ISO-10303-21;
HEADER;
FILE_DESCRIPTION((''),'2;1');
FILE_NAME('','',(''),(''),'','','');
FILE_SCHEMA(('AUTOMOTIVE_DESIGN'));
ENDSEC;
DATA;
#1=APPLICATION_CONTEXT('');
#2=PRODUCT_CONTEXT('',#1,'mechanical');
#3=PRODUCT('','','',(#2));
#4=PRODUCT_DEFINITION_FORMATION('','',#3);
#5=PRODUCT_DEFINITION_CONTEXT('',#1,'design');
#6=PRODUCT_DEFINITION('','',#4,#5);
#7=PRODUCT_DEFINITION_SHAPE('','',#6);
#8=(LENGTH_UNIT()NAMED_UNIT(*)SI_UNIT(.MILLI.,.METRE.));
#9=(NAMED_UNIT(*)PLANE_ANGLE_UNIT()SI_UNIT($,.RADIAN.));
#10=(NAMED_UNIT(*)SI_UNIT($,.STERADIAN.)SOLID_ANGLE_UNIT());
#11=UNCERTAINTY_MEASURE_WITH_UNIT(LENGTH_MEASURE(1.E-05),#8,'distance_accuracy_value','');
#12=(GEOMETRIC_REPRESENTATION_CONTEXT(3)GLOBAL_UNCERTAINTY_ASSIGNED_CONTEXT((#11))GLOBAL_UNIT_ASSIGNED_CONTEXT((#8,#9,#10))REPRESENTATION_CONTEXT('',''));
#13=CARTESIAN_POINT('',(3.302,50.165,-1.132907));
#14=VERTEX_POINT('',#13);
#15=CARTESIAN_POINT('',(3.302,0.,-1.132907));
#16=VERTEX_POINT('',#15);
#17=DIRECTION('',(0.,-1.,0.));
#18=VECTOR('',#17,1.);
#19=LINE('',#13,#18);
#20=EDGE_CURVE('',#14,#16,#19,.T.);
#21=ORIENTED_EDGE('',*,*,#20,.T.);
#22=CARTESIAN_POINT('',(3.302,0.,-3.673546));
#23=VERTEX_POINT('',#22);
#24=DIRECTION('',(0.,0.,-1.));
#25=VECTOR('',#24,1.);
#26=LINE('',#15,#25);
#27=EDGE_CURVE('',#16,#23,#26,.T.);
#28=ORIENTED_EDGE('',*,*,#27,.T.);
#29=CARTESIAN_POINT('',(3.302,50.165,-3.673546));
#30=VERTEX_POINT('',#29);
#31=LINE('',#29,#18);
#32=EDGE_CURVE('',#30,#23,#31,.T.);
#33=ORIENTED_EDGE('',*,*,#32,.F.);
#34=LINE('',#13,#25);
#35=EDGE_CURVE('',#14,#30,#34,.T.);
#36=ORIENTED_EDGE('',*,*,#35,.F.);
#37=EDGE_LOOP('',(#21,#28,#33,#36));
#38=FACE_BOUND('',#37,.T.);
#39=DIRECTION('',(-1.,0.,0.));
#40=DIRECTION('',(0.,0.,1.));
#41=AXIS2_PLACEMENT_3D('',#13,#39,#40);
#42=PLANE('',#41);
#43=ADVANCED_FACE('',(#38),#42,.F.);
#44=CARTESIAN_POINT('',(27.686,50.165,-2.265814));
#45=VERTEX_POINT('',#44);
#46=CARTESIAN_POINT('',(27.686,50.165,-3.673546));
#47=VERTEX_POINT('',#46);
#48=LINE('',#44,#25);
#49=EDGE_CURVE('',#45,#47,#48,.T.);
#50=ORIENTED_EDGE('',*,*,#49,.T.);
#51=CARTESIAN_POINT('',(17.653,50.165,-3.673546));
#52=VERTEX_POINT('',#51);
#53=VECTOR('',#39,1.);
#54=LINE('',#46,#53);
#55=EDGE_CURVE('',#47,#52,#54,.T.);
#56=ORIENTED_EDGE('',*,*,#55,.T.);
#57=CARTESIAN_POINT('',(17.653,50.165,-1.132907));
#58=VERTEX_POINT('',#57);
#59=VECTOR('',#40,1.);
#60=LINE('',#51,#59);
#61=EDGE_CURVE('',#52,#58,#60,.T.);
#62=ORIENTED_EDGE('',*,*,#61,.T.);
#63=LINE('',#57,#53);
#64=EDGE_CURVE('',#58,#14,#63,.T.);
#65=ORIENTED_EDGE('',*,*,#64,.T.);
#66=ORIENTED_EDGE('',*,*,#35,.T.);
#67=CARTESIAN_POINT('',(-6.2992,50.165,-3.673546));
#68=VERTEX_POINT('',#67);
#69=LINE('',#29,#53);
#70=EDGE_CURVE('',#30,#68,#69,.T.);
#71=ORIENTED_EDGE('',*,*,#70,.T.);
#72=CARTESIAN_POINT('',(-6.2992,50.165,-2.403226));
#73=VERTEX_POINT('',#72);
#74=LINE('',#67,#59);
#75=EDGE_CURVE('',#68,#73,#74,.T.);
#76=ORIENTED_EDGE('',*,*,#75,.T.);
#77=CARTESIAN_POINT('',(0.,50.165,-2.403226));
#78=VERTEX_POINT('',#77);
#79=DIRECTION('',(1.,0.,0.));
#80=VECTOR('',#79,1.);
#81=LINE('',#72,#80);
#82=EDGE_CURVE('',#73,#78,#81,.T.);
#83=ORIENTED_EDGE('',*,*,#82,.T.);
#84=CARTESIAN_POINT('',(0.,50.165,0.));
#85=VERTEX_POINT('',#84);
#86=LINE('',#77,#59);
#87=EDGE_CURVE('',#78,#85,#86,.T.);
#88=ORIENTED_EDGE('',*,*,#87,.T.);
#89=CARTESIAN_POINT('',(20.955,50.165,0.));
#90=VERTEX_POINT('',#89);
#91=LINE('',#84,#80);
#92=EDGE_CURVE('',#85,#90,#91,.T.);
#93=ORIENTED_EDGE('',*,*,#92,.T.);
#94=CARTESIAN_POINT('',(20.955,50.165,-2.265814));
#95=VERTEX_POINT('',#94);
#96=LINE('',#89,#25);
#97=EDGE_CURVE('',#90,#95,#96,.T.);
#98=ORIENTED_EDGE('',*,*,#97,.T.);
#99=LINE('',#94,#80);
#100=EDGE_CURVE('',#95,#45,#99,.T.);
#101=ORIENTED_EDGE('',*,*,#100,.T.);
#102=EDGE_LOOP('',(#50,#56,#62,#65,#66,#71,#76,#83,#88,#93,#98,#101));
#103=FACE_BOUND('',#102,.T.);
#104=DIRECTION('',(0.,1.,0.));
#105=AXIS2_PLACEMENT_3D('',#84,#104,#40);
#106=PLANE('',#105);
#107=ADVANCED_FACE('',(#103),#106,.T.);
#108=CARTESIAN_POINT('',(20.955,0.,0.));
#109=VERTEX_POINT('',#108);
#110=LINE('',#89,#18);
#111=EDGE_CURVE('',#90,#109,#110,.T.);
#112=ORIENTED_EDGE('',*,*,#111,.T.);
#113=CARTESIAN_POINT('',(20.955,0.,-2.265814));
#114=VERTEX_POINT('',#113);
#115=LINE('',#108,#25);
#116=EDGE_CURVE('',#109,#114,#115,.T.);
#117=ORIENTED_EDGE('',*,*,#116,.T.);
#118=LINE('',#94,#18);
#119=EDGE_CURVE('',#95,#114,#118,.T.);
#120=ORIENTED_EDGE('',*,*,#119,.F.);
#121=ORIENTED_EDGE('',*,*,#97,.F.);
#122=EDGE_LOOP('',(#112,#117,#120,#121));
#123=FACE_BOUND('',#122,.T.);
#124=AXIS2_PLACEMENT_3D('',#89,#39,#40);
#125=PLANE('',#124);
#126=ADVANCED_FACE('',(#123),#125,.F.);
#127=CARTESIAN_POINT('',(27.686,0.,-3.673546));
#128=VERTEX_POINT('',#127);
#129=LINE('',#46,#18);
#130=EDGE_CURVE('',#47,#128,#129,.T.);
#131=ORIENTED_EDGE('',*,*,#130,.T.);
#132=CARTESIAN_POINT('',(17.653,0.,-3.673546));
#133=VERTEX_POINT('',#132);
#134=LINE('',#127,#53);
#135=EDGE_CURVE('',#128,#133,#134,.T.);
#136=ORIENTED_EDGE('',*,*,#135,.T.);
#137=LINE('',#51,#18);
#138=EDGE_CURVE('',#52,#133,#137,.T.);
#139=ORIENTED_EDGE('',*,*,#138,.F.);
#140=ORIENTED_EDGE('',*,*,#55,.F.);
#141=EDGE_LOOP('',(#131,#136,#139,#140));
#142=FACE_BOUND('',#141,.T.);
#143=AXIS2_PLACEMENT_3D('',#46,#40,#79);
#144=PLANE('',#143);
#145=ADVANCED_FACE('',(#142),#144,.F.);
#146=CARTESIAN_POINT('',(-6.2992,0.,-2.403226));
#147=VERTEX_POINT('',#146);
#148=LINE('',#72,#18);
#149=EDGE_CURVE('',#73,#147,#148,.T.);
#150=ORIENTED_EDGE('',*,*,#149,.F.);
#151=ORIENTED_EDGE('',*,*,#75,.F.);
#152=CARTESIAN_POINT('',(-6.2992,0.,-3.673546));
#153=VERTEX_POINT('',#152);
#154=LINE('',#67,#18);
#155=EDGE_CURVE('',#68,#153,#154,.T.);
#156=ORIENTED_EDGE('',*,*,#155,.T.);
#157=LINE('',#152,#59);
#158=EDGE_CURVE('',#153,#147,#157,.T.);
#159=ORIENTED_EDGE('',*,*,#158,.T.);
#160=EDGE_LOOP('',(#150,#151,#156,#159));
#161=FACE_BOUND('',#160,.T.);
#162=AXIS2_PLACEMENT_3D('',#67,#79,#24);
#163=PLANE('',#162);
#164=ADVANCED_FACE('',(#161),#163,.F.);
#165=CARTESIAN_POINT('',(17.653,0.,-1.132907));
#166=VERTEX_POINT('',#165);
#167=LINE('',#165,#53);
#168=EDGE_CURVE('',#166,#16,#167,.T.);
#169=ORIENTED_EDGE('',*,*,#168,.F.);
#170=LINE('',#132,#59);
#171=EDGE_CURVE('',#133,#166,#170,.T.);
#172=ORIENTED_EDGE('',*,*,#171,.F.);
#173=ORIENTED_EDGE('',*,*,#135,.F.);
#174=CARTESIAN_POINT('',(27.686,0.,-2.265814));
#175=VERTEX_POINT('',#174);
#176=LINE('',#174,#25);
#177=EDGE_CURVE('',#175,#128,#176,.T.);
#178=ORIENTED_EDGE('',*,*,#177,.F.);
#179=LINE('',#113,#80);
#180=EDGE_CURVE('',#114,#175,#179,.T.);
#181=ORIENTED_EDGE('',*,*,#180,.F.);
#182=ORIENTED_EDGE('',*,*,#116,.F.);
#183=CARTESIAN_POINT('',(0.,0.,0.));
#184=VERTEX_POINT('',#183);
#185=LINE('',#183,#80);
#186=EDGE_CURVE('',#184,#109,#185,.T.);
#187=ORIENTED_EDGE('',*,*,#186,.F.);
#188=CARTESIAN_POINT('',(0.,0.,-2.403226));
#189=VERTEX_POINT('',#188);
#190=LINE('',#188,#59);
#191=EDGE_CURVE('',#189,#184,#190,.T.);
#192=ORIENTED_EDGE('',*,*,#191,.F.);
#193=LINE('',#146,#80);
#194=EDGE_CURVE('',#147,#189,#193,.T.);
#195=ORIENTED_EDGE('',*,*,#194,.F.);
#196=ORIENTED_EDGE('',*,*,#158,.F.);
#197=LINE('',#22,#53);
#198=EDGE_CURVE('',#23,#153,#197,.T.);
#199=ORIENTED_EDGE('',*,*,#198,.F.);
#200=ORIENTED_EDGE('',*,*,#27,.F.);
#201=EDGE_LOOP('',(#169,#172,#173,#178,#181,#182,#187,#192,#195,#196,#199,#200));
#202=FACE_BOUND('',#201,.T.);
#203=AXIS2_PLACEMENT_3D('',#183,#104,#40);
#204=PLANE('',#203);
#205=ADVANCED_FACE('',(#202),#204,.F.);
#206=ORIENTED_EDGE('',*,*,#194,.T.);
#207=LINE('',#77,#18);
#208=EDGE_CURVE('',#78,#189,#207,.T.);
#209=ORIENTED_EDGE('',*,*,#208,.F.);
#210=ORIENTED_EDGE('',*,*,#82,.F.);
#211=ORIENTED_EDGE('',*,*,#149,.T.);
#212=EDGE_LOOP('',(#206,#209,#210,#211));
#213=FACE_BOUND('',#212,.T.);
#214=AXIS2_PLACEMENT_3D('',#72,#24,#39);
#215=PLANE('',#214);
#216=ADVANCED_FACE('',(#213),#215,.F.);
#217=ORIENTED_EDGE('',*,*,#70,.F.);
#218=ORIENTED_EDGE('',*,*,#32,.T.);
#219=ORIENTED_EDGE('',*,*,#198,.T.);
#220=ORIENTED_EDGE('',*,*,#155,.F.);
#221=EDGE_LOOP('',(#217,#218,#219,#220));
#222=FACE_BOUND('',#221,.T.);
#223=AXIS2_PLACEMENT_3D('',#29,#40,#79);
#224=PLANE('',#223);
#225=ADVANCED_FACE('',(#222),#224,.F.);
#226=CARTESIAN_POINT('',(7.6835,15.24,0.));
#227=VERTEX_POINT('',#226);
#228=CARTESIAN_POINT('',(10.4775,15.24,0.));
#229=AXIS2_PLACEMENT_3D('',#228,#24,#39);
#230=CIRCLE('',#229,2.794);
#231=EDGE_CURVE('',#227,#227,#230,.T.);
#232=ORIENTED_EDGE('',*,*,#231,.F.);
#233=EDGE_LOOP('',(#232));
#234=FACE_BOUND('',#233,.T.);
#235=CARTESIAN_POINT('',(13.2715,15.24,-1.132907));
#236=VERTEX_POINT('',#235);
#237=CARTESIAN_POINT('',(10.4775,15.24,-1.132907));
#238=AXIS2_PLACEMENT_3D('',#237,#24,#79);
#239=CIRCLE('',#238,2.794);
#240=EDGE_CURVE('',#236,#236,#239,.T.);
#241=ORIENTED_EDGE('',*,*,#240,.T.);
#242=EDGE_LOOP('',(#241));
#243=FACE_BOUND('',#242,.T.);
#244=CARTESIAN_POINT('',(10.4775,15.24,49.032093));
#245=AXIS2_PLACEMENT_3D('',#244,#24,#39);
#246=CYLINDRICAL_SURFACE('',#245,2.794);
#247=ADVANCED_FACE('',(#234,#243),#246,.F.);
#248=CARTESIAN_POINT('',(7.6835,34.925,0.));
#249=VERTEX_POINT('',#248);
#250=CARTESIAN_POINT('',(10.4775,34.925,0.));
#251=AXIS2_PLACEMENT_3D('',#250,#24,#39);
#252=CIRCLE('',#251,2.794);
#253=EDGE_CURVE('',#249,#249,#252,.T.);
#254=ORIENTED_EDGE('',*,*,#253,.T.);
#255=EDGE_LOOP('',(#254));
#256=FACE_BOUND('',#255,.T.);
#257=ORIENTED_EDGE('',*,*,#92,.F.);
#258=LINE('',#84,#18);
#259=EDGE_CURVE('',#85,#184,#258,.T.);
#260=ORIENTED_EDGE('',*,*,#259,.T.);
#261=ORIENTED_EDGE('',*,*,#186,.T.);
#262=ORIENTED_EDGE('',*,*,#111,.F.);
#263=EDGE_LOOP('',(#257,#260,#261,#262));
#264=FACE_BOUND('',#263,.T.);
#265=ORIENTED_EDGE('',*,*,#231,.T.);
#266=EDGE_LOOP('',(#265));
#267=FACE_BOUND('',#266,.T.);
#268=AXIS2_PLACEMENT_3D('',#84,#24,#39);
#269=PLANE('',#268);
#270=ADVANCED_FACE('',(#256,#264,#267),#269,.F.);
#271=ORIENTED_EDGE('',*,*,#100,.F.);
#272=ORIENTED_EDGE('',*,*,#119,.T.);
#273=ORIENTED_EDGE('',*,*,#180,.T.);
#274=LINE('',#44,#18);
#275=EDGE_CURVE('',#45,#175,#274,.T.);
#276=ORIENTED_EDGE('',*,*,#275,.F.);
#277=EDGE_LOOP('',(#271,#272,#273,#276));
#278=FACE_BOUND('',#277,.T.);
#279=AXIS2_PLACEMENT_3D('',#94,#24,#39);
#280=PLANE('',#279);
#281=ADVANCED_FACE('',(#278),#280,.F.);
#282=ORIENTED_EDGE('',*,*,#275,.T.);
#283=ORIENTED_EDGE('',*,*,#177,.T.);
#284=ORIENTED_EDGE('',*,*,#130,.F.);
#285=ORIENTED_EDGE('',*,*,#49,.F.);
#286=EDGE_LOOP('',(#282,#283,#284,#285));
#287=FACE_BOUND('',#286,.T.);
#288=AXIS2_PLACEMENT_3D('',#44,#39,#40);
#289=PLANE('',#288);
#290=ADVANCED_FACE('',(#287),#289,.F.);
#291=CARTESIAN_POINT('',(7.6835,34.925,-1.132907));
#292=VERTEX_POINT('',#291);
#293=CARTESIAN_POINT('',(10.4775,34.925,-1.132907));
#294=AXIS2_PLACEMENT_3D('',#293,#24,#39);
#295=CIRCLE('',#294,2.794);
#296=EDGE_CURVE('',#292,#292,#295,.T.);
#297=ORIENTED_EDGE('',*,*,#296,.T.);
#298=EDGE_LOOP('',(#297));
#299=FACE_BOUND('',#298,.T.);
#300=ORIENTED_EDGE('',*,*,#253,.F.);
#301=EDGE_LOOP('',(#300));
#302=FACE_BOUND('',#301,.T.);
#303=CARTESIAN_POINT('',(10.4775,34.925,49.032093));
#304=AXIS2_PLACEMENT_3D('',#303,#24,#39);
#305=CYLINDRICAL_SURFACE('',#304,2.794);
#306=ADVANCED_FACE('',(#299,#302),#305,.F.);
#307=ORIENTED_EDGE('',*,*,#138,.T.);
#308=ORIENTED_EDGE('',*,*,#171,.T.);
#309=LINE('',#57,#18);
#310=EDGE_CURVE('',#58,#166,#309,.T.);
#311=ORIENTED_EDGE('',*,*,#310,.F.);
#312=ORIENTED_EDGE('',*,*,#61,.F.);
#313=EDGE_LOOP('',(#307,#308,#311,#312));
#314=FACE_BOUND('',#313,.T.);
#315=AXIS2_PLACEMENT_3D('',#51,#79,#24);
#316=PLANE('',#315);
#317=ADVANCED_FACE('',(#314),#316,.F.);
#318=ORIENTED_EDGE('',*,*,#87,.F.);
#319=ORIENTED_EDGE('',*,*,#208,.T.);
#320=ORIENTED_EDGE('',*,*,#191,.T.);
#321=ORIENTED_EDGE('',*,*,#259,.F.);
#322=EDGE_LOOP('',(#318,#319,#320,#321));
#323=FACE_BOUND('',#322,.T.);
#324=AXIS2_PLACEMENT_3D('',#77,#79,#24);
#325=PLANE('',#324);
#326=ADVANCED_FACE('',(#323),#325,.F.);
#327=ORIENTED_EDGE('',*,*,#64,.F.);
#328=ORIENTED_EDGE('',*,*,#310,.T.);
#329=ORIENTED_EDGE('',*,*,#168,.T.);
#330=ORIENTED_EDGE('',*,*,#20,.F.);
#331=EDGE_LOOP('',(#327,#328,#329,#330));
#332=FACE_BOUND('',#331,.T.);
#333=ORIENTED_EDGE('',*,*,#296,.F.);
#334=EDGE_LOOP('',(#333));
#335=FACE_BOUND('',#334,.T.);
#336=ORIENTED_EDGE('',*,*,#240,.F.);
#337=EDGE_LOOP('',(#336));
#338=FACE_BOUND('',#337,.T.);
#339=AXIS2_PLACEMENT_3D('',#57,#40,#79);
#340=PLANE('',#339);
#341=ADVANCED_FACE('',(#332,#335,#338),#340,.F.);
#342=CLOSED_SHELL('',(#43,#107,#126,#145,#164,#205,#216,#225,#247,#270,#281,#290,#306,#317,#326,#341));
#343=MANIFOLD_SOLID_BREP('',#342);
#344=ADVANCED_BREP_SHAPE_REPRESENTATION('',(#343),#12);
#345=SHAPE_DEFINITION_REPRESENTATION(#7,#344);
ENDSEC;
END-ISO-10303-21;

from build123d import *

# Parameters (mm, degrees)
BOSS_EXTRUDE1_DEPTH = 50.165
SKETCH2_R           = 2.794
CUT_EXTRUDE1_DEPTH  = 50.165


with BuildPart() as part:
    # Sketch1 → Boss-Extrude1 (new body)
    with BuildSketch(Plane(origin=(0, 0, 0), x_dir=(1, 0, 0), z_dir=(0, 1, 0))):
        Polygon((0, 0), (20.955, 0), (20.955, 2.265814212), (27.686, 2.265814212), (27.686, 3.673545632), (17.653, 3.673545632), (17.653, 1.132907106), (3.302, 1.132907106), (3.302, 3.673545632), (-6.2992, 3.673545632), (-6.2992, 2.403226369), (0, 2.403226369), align=None)
    extrude(amount=BOSS_EXTRUDE1_DEPTH)

    # Sketch2 → Cut-Extrude1 (cut)
    with BuildSketch(Plane(origin=(0, 0, -1.132907106), x_dir=(-1, 0, 0), z_dir=(0, 0, -1))):
        with Locations((-10.4775, 34.925)):
            Circle(SKETCH2_R)
        with Locations((-10.4775, 15.24)):
            Circle(SKETCH2_R)
    extrude(amount=-CUT_EXTRUDE1_DEPTH, mode=Mode.SUBTRACT)


solid = part.part
